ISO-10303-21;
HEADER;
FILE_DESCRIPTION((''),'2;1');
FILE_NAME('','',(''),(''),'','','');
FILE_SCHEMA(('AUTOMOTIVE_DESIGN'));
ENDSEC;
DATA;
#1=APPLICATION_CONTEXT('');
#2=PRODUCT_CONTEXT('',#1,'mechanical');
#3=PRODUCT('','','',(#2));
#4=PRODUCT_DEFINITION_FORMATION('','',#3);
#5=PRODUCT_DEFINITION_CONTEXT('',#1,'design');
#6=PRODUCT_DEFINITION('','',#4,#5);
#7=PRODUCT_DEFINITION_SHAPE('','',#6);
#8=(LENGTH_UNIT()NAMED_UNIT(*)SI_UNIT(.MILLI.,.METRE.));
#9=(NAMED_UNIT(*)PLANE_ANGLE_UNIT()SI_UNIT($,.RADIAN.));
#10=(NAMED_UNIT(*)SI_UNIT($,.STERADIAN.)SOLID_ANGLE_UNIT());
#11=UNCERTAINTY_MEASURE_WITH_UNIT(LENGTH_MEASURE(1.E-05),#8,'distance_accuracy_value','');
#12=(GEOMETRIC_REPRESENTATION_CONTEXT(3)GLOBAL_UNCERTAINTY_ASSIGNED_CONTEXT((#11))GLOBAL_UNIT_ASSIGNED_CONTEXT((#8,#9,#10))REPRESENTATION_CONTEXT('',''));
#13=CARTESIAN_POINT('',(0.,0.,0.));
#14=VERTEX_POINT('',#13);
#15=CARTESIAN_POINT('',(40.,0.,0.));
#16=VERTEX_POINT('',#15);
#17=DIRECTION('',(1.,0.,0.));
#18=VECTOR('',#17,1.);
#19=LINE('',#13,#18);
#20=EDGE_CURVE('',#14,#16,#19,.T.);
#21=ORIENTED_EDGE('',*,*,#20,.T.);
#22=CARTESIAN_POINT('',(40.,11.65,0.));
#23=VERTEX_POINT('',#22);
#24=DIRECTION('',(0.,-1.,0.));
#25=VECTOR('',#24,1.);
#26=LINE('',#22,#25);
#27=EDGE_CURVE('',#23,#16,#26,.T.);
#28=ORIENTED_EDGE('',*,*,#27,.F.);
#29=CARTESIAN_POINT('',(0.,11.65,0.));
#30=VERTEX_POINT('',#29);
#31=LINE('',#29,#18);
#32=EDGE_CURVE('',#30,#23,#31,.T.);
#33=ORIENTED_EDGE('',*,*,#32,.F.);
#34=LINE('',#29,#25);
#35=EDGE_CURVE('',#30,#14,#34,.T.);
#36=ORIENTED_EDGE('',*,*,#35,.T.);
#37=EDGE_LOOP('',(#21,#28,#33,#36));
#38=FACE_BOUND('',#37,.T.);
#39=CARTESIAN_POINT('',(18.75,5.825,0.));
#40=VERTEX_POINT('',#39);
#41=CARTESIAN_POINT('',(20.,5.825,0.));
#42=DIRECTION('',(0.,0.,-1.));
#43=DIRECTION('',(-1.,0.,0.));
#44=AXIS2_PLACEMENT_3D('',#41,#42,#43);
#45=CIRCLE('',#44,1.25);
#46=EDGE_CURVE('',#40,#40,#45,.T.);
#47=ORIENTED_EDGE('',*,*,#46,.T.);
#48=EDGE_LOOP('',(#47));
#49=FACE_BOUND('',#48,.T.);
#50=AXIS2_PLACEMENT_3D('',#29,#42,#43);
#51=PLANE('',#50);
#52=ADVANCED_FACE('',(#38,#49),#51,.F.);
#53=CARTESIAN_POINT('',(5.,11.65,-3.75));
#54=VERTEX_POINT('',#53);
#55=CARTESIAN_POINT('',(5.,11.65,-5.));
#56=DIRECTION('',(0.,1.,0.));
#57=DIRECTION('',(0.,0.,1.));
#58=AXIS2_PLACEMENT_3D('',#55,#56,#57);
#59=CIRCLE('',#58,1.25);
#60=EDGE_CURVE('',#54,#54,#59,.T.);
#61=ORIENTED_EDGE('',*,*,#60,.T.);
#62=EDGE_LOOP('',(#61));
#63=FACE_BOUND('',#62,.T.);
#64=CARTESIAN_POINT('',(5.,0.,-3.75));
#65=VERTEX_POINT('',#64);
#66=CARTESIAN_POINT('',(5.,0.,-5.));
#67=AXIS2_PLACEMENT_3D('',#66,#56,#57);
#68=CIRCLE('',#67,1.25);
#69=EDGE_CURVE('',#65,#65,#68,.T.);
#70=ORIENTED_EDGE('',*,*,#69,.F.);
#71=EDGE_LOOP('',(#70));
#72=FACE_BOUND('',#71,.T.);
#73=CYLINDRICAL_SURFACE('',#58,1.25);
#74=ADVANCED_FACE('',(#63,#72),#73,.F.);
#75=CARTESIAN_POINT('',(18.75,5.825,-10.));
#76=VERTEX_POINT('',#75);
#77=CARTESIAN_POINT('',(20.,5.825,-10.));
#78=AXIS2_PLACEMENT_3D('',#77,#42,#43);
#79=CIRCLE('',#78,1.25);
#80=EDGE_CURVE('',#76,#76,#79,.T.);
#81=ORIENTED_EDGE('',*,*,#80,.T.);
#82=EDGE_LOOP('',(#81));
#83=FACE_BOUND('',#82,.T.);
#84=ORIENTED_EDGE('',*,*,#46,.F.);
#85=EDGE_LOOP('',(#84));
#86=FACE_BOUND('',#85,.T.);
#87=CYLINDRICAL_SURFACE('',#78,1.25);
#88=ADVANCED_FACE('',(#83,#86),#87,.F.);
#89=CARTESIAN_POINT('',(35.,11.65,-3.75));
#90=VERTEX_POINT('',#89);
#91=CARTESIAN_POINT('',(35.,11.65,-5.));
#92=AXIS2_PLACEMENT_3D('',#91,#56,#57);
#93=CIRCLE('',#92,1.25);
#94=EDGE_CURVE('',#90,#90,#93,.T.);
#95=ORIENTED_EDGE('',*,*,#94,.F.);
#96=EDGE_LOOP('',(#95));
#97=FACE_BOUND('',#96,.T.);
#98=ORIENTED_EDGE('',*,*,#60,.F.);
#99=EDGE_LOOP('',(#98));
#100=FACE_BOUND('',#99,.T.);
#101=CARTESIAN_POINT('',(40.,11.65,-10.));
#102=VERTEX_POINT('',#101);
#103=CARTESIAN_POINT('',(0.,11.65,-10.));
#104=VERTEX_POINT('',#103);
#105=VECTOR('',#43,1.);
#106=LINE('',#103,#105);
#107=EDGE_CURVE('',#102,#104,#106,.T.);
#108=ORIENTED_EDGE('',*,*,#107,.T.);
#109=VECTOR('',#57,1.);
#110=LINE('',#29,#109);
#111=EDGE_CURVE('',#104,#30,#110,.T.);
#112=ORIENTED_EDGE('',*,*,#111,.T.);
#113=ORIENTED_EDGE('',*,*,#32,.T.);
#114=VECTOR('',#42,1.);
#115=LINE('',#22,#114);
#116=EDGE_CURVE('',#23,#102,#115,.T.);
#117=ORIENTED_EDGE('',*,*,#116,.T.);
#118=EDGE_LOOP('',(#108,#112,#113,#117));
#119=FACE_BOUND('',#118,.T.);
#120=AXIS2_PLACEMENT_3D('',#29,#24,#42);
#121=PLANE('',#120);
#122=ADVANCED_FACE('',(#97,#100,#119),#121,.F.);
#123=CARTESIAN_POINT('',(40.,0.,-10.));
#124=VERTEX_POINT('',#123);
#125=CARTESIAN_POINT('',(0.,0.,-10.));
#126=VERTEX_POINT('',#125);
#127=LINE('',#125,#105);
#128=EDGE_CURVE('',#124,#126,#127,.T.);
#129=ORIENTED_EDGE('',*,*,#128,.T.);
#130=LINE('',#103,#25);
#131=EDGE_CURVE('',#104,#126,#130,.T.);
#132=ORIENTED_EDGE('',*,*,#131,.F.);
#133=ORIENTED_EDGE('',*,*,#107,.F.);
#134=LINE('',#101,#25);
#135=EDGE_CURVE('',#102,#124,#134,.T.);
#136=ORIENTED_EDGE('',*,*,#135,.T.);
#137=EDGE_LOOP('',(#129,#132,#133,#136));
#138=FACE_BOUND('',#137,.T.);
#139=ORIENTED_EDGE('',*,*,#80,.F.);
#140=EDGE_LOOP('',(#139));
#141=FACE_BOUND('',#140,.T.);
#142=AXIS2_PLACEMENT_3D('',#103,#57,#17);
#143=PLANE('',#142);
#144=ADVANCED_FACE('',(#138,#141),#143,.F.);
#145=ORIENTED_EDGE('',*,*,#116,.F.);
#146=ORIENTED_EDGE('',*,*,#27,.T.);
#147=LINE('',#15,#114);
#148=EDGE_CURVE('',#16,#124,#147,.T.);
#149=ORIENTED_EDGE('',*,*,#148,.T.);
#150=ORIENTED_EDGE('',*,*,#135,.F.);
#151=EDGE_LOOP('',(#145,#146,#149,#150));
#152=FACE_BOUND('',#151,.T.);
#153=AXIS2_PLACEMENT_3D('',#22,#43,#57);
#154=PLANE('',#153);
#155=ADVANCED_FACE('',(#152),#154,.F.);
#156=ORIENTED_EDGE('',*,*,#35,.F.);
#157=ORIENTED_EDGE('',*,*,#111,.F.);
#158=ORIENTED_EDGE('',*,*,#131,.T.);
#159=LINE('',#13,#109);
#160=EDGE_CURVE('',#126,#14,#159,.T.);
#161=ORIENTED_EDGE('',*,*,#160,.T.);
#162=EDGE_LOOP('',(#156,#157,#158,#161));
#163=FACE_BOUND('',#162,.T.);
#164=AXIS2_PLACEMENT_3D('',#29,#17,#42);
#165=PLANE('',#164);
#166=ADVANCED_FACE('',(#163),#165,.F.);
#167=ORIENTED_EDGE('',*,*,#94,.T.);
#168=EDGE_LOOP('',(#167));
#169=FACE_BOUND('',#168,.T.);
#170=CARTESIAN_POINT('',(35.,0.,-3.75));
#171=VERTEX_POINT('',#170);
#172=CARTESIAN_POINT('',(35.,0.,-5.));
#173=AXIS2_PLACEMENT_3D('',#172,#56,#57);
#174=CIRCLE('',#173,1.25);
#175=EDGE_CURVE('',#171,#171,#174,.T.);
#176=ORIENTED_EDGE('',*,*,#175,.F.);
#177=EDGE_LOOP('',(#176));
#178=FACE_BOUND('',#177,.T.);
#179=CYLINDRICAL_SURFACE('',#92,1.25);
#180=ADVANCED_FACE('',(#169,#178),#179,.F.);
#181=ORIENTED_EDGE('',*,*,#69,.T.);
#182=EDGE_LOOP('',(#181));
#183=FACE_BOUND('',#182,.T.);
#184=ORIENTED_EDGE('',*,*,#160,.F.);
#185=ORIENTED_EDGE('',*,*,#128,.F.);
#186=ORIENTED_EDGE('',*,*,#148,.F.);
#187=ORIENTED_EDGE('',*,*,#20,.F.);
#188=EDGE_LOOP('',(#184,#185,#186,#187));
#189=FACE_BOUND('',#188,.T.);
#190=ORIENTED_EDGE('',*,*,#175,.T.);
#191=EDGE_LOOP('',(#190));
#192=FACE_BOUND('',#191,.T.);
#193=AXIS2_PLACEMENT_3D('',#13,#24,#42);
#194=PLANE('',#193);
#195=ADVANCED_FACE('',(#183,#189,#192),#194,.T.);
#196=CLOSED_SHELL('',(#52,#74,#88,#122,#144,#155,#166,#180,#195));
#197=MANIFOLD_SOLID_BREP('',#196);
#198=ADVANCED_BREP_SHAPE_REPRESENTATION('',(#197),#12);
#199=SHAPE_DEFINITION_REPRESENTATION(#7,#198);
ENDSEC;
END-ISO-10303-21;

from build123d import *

# Parameters (mm, degrees)
SKETCH1_W             = 40
SKETCH1_H             = 10
BOSS_EXTRUDE1_DEPTH   = 11.65
M3X0_5_TAPPED_HOLE3_D = 2.5
M3X0_5_TAPPED_HOLE4_D = 2.5


with BuildPart() as part:
    # Sketch1 → Boss-Extrude1 (new body)
    with BuildSketch(Plane(origin=(0, 0, 0), x_dir=(1, 0, 0), z_dir=(0, 1, 0))):
        with Locations((20, 5)):
            Rectangle(SKETCH1_W, SKETCH1_H)
    extrude(amount=BOSS_EXTRUDE1_DEPTH)

    # M3x0.5 Tapped Hole3 (through all)
    with Locations(Plane(origin=(5, 11.65, -5), x_dir=(0, 0, 1), z_dir=(0, 1, 0))):
        with Locations((0, 0), (0, 30)):
            Hole(M3X0_5_TAPPED_HOLE3_D / 2)

    # M3x0.5 Tapped Hole4 (through all)
    with Locations(Plane(origin=(20, 5.825, -10), x_dir=(-1, 0, 0), z_dir=(0, 0, -1))):
        with Locations((0, 0)):
            Hole(M3X0_5_TAPPED_HOLE4_D / 2)


solid = part.part
